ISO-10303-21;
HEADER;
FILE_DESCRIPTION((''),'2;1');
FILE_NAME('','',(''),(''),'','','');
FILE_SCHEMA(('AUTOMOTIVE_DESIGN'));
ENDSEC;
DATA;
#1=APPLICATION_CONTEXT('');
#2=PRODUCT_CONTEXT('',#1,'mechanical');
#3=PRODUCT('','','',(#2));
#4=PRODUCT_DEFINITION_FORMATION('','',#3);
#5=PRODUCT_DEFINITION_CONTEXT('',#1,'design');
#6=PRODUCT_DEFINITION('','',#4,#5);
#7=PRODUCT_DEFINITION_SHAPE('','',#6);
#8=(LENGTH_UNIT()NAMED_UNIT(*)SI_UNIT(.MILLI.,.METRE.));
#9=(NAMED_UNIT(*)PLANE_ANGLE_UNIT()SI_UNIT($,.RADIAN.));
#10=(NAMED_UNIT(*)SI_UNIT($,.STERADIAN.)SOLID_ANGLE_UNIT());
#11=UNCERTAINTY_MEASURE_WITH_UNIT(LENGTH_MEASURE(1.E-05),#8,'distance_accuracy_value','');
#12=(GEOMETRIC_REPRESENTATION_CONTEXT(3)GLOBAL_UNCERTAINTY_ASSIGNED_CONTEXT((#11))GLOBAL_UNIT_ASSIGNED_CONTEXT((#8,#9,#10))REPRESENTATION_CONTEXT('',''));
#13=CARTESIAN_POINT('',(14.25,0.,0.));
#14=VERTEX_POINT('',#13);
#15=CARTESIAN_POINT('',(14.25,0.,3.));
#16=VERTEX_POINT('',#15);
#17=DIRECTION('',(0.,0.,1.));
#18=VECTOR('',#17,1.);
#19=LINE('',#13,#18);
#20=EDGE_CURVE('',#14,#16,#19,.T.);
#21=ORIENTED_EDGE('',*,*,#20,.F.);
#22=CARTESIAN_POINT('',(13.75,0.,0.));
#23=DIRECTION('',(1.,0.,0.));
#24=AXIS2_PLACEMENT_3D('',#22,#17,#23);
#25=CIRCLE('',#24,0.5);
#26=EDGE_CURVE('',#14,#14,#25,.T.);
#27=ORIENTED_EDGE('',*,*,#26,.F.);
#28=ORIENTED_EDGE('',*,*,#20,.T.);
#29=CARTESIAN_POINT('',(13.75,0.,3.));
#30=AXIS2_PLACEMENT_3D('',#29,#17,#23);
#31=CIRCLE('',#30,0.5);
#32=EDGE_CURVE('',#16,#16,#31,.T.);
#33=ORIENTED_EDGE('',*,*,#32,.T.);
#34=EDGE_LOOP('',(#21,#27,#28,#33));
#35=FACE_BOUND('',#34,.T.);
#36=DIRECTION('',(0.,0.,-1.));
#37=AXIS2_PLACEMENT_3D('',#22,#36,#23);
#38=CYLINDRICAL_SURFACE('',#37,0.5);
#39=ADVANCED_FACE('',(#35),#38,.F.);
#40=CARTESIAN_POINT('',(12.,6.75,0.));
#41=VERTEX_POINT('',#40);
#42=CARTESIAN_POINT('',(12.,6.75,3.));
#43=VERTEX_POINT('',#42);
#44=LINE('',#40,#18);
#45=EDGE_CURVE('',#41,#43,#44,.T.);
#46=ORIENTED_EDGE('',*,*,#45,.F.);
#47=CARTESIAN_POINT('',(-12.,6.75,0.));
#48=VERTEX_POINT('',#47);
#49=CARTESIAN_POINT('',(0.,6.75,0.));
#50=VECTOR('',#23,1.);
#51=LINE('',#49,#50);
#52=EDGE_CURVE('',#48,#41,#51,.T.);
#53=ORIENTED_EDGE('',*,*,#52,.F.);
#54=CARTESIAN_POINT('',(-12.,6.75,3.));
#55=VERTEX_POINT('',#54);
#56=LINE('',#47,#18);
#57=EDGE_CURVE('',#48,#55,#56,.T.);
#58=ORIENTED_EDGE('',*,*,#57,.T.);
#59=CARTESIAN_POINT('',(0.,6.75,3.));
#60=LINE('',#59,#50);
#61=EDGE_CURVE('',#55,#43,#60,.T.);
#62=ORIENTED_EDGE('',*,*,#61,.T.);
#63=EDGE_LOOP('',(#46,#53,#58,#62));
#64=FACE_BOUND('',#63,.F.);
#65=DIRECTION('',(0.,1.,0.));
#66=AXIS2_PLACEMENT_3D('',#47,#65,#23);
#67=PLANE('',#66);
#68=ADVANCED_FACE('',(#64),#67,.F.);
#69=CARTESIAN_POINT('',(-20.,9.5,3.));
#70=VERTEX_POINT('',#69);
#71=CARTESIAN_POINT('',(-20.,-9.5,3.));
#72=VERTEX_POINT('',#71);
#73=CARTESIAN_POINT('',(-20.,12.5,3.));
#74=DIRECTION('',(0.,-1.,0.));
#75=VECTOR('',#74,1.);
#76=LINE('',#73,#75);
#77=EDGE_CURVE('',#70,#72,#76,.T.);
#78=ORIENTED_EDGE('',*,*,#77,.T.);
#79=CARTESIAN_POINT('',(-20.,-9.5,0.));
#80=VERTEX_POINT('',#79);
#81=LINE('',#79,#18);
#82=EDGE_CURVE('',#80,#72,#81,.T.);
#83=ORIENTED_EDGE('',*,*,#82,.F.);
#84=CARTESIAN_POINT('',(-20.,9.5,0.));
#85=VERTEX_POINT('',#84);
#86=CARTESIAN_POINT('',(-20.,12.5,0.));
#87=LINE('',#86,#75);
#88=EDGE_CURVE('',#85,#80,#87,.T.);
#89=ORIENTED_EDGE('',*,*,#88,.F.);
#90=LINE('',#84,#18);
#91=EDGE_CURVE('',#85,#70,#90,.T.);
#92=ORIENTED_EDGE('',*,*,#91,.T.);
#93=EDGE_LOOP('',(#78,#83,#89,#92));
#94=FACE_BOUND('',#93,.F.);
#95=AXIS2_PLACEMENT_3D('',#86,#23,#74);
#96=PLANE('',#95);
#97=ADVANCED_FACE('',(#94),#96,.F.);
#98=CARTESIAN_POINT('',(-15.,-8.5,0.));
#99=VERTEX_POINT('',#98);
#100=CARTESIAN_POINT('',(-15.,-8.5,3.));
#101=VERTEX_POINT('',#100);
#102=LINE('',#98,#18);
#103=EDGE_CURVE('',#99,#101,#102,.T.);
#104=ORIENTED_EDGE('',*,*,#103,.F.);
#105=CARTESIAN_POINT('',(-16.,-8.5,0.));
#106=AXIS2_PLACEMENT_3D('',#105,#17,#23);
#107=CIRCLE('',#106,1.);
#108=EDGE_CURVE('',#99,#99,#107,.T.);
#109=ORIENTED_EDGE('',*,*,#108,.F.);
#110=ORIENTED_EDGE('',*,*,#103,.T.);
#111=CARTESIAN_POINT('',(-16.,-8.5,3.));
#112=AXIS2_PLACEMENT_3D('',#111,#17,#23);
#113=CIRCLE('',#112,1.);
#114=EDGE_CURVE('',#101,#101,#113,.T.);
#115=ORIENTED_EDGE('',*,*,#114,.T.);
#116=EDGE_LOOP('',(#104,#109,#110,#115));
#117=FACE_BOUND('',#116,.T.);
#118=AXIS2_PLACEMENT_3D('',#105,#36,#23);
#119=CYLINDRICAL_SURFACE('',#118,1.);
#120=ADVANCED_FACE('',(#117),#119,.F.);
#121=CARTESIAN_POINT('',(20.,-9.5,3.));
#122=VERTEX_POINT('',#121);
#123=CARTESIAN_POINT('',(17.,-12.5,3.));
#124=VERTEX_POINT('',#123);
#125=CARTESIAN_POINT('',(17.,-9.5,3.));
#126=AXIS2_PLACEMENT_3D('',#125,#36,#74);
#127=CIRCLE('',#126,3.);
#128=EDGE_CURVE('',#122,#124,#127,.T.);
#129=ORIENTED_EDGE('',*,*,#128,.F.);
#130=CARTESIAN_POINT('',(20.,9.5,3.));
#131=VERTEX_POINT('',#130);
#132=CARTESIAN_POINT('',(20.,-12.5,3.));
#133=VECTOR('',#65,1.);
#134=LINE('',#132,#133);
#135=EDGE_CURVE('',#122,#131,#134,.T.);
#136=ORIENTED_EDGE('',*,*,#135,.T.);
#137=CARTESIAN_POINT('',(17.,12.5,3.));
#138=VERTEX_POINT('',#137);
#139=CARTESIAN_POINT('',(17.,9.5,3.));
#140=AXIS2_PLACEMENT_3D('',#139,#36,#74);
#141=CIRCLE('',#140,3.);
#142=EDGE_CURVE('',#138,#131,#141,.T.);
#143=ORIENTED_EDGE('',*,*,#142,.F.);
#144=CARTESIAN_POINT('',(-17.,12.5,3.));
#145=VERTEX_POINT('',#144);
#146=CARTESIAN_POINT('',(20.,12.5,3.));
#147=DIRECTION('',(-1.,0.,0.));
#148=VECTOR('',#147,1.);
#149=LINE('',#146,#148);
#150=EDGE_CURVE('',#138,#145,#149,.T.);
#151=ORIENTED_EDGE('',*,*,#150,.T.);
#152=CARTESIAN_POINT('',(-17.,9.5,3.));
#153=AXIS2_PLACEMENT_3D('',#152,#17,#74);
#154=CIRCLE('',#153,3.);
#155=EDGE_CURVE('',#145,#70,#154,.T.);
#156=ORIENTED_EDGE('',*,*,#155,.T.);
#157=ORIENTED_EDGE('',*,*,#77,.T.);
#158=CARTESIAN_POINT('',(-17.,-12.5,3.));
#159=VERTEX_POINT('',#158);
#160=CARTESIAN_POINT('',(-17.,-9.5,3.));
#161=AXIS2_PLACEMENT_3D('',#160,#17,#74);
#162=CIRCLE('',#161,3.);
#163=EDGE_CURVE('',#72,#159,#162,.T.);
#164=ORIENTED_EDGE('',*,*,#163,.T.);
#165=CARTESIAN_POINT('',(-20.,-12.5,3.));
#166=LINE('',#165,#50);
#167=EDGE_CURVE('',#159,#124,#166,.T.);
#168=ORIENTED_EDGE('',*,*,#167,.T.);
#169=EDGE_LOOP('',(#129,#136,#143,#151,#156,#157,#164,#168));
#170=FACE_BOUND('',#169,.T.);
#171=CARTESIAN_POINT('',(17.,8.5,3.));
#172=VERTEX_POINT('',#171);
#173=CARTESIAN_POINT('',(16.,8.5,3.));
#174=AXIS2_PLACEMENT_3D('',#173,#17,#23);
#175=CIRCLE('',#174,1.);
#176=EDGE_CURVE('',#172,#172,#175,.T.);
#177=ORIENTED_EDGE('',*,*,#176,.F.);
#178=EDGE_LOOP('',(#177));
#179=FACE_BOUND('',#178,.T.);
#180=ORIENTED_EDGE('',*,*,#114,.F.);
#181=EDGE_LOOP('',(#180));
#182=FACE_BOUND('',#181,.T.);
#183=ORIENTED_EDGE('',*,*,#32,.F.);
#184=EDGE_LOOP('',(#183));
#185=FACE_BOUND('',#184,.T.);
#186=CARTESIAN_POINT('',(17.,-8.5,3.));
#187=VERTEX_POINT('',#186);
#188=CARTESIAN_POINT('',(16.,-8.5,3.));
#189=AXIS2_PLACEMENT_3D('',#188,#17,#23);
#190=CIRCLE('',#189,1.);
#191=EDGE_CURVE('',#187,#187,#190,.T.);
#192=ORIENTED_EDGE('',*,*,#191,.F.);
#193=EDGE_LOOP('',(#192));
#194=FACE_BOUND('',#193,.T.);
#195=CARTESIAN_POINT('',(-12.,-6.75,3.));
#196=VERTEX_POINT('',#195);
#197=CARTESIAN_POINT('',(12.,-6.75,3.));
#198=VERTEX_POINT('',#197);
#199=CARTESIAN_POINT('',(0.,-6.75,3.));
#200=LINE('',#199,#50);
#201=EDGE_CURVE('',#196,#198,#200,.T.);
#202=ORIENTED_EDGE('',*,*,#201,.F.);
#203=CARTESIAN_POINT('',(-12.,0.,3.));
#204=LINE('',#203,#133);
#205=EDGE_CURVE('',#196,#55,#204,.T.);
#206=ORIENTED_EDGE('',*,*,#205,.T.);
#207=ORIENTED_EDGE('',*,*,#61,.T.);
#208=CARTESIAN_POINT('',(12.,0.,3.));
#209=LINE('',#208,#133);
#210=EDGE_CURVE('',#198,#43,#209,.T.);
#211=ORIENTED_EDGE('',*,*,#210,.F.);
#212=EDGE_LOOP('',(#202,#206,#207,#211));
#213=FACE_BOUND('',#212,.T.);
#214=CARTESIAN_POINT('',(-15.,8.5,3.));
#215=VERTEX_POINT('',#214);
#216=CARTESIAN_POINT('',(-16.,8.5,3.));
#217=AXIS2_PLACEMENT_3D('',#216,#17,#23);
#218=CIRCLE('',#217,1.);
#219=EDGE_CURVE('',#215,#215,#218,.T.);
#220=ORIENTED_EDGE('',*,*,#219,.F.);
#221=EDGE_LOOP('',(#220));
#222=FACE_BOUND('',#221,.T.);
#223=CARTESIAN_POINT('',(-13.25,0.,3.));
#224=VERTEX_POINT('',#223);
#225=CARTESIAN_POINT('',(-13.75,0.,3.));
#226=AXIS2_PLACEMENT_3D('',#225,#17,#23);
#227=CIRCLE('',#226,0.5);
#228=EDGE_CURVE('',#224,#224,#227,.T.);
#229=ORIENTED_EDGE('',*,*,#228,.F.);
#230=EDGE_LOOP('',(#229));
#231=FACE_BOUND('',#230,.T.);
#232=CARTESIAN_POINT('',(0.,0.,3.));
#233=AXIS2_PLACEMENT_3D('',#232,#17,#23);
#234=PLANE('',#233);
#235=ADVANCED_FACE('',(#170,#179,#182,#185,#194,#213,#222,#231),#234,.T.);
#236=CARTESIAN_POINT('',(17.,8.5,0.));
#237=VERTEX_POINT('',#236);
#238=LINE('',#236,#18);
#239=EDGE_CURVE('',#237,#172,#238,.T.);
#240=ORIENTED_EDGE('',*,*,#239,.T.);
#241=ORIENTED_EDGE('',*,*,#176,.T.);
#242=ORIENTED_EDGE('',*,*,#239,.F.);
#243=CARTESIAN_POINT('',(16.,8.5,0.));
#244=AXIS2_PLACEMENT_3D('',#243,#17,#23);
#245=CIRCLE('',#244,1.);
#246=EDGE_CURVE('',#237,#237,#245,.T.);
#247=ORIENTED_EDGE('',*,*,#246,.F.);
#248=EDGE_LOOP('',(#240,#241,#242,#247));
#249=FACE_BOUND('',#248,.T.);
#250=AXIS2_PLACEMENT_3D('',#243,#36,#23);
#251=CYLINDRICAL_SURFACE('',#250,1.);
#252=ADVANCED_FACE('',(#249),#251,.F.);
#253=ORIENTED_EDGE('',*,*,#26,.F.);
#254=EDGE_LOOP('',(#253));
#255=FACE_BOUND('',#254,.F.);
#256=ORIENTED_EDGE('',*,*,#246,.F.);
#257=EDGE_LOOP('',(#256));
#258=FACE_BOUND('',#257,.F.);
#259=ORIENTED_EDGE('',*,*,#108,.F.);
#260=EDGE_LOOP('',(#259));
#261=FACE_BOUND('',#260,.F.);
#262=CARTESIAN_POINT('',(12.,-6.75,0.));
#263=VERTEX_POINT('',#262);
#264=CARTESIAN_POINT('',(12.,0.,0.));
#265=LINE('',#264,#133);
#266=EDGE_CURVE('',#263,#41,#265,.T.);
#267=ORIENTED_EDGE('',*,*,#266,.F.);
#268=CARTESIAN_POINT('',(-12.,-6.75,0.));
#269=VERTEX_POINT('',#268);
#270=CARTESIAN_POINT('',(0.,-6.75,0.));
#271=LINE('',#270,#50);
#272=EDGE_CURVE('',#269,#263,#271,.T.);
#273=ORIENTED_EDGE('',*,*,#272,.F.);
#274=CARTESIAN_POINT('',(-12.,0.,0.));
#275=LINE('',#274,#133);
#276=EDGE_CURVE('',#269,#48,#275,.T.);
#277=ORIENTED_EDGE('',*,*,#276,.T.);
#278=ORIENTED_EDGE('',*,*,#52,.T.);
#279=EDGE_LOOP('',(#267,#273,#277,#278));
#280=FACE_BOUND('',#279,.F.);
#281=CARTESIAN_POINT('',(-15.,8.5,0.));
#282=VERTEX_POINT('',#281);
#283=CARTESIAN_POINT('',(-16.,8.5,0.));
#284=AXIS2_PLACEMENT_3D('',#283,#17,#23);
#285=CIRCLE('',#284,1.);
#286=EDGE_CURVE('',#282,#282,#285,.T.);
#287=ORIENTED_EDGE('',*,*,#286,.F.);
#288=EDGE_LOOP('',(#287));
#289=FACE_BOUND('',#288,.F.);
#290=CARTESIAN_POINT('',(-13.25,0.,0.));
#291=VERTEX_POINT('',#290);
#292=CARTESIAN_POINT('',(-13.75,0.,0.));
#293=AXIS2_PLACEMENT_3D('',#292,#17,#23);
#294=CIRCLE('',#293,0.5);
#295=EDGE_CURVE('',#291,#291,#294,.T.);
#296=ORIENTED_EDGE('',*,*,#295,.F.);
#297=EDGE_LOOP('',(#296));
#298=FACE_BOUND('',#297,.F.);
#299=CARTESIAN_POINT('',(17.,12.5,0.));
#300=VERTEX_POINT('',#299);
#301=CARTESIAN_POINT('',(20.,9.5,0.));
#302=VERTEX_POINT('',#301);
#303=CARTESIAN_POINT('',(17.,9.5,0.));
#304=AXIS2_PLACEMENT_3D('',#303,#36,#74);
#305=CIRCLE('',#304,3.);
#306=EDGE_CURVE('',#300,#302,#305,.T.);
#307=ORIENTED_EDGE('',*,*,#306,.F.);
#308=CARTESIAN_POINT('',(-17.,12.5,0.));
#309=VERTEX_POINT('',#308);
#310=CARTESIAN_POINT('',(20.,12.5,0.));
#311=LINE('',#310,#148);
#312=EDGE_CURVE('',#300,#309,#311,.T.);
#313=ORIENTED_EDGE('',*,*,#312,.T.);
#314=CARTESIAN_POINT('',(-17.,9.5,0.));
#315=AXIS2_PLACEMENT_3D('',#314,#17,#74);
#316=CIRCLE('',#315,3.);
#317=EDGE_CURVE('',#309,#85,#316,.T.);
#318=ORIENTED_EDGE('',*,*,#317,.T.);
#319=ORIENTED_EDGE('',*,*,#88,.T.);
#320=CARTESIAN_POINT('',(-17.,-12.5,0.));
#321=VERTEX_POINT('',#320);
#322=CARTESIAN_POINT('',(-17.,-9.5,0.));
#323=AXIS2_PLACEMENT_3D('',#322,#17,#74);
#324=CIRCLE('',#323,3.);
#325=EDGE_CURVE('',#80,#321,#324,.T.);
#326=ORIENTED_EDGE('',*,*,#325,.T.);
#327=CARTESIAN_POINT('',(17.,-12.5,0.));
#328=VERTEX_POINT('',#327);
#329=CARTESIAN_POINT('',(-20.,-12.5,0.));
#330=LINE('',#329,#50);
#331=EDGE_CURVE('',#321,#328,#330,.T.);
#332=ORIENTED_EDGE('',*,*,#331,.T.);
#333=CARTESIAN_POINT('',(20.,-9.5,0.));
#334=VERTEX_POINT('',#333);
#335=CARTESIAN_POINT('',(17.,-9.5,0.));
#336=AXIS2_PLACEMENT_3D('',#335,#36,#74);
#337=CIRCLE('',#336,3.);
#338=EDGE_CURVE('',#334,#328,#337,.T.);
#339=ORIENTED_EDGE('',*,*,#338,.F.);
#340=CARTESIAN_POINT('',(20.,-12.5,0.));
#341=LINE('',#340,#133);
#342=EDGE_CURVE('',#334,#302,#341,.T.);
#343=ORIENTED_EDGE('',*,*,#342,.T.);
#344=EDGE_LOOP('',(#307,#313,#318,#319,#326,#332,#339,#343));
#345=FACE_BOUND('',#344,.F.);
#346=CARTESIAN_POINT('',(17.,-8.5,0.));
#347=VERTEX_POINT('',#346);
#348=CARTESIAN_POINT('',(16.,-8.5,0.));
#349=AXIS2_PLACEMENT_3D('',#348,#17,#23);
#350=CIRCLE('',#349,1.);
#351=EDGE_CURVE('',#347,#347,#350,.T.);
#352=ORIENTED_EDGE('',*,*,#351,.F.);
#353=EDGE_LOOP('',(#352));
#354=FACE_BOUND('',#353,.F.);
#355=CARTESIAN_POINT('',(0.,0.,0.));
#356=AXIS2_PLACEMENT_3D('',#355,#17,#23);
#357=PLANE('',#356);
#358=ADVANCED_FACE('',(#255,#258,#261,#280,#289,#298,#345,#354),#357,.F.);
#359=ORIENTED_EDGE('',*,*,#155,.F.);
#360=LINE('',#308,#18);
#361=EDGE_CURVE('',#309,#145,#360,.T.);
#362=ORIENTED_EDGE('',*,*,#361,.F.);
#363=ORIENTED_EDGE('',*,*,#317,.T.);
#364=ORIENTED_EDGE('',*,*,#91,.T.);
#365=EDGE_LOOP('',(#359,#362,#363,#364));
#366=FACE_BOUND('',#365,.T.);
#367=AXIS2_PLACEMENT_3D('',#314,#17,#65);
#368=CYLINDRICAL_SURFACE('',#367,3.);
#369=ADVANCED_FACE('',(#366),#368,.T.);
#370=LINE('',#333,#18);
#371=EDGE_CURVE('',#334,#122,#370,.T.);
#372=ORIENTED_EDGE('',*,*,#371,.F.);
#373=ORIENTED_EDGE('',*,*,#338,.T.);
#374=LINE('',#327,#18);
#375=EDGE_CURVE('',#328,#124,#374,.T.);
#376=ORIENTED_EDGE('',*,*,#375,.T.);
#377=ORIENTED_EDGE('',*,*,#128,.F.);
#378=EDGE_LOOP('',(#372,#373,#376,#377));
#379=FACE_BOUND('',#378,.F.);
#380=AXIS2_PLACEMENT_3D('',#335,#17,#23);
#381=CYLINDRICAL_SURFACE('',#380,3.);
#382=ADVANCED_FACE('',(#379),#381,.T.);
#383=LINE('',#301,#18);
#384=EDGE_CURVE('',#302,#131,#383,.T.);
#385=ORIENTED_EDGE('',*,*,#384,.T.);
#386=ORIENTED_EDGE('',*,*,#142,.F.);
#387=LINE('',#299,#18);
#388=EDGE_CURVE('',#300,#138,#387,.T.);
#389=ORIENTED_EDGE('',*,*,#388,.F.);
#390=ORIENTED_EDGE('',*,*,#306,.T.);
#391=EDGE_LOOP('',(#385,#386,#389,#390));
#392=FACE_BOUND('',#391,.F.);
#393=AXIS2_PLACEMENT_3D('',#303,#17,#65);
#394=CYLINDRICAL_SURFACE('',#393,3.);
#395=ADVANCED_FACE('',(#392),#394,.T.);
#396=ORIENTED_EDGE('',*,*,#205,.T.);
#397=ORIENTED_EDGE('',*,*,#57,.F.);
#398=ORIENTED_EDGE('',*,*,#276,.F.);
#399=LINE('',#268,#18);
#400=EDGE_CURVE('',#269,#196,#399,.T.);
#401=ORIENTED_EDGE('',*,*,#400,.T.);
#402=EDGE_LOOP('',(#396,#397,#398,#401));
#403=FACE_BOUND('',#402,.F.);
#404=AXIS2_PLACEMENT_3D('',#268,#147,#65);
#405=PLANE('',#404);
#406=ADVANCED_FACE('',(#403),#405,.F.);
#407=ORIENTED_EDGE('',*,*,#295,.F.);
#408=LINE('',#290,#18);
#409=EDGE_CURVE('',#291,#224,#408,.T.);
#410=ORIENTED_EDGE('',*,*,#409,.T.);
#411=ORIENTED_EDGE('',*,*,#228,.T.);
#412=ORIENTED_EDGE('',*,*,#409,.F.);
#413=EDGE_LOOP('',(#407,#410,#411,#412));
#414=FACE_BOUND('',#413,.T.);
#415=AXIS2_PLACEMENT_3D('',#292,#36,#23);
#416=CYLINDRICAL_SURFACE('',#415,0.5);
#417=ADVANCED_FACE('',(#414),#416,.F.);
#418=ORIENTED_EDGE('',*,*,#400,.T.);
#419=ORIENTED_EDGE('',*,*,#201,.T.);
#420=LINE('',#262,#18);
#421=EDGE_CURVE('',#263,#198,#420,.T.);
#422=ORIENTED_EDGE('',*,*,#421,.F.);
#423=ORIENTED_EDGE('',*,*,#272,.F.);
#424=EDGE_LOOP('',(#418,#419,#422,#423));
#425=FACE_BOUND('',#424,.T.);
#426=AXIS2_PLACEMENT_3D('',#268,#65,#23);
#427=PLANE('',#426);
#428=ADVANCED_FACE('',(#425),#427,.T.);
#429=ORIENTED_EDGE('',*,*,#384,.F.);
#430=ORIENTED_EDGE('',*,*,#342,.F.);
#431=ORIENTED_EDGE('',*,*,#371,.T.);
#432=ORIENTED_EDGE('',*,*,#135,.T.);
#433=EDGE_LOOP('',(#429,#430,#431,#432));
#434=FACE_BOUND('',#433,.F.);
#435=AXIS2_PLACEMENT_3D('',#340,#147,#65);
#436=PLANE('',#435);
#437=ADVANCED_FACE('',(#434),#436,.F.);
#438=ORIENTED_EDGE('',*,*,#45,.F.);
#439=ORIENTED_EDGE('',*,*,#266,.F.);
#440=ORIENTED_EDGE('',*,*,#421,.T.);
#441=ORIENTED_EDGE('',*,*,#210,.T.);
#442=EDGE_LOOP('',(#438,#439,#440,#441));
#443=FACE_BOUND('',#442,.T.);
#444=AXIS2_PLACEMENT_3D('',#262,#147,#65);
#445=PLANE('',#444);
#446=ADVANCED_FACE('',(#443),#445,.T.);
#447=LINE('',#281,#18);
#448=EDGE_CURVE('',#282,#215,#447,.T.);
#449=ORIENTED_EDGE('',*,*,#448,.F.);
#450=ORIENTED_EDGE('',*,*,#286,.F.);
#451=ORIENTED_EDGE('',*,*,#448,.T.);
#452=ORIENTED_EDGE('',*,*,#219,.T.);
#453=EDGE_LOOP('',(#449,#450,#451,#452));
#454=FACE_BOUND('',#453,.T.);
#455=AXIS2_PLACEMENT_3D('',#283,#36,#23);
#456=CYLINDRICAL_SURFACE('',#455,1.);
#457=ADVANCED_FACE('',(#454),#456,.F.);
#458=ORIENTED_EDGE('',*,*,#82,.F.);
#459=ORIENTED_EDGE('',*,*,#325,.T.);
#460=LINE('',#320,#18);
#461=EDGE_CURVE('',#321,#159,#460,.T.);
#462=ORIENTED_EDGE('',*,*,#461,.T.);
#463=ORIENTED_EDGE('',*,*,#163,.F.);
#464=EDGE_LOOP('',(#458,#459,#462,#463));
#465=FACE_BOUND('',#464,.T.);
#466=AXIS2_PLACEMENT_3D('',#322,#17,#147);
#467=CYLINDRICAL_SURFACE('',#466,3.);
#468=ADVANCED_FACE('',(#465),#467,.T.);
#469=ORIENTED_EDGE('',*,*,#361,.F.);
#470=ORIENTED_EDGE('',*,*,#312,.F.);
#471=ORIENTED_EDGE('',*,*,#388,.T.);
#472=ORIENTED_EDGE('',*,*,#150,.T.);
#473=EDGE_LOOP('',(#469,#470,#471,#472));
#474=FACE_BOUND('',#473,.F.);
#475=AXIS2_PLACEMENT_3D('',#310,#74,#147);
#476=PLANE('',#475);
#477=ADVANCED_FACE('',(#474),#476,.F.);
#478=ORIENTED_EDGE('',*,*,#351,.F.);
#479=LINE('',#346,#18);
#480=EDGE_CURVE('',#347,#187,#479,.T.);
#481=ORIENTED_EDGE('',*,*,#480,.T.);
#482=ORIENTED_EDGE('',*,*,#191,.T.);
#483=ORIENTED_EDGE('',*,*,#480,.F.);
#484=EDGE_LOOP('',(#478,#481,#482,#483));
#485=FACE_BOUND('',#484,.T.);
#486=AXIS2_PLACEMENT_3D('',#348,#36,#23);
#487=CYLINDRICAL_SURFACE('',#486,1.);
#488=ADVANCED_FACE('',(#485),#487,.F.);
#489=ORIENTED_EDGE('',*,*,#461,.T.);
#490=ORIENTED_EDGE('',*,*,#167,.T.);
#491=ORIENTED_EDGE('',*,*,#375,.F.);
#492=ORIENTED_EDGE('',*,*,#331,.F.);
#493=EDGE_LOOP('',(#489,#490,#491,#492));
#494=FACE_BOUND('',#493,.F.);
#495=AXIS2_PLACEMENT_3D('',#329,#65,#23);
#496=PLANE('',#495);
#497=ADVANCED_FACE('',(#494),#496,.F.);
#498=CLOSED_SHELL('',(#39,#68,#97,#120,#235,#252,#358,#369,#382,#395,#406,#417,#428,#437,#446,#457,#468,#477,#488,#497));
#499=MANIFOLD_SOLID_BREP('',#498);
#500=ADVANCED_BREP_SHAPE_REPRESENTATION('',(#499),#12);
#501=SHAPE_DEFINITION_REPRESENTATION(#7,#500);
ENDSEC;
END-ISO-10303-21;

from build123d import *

# Parameters (mm, degrees)
F0_R     = 1
F0_R_2   = 0.5
F0_W     = 24
F0_H     = 13.5
F1_DEPTH = 3
F2_R     = 3


with BuildPart() as f1:
    # F0 (on Top) → F1 (new body)
    with BuildSketch(Plane.XY):
        Polygon((20, -8.5), (20, 12.5), (16, 12.5), (-20, 12.5), (-20, -8.5), (-20, -12.5), (-16, -12.5), (16, -12.5), (20, -12.5), align=None)
        with Locations((-16, -8.5)):
            Circle(F0_R, mode=Mode.SUBTRACT)
        with Locations((16, -8.5)):
            Circle(F0_R, mode=Mode.SUBTRACT)
        with Locations((-13.75, 0)):
            Circle(F0_R_2, mode=Mode.SUBTRACT)
        with Locations((-16, 8.5)):
            Circle(F0_R, mode=Mode.SUBTRACT)
        Rectangle(F0_W, F0_H, mode=Mode.SUBTRACT)
        with Locations((13.75, 0)):
            Circle(F0_R_2, mode=Mode.SUBTRACT)
        with Locations((16, 8.5)):
            Circle(F0_R, mode=Mode.SUBTRACT)
    extrude(amount=F1_DEPTH)

    # F2
    f2_edges = [f1.edges().sort_by_distance(p)[0] for p in [
        (20, -12.5, 1.5),
        (-20, -12.5, 1.5),
        (20, 12.5, 1.5),
        (-20, 12.5, 1.5),
    ]]
    fillet(f2_edges, radius=F2_R)


solid = f1.part
